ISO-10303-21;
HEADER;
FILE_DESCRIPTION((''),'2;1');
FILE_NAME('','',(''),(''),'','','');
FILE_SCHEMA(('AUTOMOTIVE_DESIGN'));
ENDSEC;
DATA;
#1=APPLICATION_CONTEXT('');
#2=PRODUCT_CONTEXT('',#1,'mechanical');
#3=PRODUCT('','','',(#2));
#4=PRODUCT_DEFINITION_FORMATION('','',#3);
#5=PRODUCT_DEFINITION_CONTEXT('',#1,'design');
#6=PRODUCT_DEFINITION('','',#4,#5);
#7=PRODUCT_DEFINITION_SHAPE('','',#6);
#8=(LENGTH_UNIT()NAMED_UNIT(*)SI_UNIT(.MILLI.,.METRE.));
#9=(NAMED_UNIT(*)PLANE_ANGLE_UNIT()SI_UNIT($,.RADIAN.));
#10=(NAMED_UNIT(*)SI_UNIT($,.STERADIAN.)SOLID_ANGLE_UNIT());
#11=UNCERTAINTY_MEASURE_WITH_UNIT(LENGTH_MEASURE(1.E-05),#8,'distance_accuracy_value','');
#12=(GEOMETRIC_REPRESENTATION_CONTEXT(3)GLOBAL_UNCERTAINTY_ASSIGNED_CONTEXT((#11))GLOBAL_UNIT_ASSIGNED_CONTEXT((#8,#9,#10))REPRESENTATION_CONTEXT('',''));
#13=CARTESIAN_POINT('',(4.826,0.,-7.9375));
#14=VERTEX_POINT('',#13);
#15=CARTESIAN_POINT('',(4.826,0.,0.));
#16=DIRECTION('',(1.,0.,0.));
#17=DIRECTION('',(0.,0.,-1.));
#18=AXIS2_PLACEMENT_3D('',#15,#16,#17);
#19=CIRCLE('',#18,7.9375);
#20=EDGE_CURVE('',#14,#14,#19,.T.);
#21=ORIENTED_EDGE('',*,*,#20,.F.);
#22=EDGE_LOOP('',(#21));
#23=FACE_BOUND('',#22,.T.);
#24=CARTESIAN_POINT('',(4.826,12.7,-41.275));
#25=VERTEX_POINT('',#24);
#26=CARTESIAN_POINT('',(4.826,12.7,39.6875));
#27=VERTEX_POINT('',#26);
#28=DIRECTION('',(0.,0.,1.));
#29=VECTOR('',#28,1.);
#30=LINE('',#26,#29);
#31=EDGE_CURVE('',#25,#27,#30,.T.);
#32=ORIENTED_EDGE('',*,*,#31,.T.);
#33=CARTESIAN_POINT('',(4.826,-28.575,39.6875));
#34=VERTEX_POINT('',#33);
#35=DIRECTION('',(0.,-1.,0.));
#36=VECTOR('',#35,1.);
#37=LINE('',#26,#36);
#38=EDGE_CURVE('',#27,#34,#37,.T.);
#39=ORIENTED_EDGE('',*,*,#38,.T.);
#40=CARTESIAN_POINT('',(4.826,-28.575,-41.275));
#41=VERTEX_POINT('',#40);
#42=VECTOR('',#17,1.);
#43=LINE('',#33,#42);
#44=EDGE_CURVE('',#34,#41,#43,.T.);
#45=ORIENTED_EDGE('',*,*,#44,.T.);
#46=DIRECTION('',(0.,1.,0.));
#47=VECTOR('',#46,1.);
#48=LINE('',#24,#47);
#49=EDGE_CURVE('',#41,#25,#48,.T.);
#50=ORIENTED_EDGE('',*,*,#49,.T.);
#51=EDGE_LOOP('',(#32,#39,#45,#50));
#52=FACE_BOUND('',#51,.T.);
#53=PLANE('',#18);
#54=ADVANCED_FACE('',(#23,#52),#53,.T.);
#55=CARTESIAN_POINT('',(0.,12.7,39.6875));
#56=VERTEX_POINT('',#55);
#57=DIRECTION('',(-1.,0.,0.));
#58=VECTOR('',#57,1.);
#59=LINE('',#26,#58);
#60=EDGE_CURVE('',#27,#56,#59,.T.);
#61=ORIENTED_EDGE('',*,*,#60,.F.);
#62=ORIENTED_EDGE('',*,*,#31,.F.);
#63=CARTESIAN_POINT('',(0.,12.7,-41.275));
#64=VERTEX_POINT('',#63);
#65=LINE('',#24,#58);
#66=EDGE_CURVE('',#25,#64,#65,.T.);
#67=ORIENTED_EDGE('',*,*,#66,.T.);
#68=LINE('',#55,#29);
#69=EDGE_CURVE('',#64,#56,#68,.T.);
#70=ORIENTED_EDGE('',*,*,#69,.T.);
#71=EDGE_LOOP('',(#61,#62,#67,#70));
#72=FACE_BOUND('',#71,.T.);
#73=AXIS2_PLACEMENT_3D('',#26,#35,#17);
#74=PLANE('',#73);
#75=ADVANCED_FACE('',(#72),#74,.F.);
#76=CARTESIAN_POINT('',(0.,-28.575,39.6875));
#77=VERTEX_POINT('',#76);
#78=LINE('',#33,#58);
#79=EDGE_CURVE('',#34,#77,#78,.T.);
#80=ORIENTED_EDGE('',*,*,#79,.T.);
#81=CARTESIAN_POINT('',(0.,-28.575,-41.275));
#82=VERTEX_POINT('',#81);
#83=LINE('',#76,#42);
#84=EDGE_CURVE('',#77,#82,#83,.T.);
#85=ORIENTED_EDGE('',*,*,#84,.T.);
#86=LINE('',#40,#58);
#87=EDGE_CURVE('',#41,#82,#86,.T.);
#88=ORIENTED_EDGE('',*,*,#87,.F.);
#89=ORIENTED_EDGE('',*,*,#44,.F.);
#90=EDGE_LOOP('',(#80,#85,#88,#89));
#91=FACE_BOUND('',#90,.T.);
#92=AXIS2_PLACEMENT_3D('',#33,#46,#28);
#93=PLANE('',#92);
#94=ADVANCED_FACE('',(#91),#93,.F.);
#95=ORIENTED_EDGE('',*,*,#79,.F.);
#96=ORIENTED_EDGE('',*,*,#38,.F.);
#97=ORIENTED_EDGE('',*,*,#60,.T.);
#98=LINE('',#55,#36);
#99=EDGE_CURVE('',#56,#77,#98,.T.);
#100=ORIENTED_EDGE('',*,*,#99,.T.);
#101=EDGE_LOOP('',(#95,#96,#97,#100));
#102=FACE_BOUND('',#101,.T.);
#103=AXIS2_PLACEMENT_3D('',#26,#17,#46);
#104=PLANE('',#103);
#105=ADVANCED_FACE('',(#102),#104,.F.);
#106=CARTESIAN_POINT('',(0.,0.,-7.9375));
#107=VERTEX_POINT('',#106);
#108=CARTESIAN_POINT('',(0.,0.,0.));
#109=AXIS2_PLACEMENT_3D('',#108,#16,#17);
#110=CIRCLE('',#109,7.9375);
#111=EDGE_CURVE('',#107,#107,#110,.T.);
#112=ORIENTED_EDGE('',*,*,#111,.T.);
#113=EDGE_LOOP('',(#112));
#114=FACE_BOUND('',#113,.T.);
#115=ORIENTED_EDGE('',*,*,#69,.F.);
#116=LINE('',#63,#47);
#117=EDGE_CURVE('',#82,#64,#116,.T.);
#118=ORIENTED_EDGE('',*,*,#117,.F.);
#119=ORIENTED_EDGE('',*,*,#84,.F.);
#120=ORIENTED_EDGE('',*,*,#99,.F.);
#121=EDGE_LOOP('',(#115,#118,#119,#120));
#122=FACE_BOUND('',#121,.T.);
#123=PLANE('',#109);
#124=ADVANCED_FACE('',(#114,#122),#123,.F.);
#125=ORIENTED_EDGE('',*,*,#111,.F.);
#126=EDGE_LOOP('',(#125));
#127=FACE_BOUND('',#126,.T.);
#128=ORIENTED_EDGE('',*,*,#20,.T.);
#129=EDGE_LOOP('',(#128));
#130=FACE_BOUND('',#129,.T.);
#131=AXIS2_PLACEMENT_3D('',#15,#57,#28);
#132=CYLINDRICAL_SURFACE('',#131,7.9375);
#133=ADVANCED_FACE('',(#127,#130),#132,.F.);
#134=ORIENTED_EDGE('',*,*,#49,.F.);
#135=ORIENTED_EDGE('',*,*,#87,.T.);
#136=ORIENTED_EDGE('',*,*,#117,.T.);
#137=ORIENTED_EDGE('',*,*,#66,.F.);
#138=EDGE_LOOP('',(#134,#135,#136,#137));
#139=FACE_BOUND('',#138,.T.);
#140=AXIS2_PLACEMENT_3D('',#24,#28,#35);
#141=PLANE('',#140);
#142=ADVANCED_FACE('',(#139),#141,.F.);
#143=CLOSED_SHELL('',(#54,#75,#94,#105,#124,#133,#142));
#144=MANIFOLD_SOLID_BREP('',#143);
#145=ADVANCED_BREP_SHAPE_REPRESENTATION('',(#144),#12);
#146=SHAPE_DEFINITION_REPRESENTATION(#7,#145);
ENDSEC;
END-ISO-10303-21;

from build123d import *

# Parameters (mm, degrees)
SKETCH1_W           = 80.9625
SKETCH1_H           = 41.275
SKETCH1_R           = 7.9375
BOSS_EXTRUDE1_DEPTH = 4.826


with BuildPart() as part:
    # Sketch1 → Boss-Extrude1 (new body)
    with BuildSketch(Plane(origin=(0, 0, 0), x_dir=(0, 0, -1), z_dir=(1, 0, 0))):
        with Locations((0.79375, -7.9375)):
            Rectangle(SKETCH1_W, SKETCH1_H)
        Circle(SKETCH1_R, mode=Mode.SUBTRACT)
    extrude(amount=BOSS_EXTRUDE1_DEPTH)


solid = part.part
